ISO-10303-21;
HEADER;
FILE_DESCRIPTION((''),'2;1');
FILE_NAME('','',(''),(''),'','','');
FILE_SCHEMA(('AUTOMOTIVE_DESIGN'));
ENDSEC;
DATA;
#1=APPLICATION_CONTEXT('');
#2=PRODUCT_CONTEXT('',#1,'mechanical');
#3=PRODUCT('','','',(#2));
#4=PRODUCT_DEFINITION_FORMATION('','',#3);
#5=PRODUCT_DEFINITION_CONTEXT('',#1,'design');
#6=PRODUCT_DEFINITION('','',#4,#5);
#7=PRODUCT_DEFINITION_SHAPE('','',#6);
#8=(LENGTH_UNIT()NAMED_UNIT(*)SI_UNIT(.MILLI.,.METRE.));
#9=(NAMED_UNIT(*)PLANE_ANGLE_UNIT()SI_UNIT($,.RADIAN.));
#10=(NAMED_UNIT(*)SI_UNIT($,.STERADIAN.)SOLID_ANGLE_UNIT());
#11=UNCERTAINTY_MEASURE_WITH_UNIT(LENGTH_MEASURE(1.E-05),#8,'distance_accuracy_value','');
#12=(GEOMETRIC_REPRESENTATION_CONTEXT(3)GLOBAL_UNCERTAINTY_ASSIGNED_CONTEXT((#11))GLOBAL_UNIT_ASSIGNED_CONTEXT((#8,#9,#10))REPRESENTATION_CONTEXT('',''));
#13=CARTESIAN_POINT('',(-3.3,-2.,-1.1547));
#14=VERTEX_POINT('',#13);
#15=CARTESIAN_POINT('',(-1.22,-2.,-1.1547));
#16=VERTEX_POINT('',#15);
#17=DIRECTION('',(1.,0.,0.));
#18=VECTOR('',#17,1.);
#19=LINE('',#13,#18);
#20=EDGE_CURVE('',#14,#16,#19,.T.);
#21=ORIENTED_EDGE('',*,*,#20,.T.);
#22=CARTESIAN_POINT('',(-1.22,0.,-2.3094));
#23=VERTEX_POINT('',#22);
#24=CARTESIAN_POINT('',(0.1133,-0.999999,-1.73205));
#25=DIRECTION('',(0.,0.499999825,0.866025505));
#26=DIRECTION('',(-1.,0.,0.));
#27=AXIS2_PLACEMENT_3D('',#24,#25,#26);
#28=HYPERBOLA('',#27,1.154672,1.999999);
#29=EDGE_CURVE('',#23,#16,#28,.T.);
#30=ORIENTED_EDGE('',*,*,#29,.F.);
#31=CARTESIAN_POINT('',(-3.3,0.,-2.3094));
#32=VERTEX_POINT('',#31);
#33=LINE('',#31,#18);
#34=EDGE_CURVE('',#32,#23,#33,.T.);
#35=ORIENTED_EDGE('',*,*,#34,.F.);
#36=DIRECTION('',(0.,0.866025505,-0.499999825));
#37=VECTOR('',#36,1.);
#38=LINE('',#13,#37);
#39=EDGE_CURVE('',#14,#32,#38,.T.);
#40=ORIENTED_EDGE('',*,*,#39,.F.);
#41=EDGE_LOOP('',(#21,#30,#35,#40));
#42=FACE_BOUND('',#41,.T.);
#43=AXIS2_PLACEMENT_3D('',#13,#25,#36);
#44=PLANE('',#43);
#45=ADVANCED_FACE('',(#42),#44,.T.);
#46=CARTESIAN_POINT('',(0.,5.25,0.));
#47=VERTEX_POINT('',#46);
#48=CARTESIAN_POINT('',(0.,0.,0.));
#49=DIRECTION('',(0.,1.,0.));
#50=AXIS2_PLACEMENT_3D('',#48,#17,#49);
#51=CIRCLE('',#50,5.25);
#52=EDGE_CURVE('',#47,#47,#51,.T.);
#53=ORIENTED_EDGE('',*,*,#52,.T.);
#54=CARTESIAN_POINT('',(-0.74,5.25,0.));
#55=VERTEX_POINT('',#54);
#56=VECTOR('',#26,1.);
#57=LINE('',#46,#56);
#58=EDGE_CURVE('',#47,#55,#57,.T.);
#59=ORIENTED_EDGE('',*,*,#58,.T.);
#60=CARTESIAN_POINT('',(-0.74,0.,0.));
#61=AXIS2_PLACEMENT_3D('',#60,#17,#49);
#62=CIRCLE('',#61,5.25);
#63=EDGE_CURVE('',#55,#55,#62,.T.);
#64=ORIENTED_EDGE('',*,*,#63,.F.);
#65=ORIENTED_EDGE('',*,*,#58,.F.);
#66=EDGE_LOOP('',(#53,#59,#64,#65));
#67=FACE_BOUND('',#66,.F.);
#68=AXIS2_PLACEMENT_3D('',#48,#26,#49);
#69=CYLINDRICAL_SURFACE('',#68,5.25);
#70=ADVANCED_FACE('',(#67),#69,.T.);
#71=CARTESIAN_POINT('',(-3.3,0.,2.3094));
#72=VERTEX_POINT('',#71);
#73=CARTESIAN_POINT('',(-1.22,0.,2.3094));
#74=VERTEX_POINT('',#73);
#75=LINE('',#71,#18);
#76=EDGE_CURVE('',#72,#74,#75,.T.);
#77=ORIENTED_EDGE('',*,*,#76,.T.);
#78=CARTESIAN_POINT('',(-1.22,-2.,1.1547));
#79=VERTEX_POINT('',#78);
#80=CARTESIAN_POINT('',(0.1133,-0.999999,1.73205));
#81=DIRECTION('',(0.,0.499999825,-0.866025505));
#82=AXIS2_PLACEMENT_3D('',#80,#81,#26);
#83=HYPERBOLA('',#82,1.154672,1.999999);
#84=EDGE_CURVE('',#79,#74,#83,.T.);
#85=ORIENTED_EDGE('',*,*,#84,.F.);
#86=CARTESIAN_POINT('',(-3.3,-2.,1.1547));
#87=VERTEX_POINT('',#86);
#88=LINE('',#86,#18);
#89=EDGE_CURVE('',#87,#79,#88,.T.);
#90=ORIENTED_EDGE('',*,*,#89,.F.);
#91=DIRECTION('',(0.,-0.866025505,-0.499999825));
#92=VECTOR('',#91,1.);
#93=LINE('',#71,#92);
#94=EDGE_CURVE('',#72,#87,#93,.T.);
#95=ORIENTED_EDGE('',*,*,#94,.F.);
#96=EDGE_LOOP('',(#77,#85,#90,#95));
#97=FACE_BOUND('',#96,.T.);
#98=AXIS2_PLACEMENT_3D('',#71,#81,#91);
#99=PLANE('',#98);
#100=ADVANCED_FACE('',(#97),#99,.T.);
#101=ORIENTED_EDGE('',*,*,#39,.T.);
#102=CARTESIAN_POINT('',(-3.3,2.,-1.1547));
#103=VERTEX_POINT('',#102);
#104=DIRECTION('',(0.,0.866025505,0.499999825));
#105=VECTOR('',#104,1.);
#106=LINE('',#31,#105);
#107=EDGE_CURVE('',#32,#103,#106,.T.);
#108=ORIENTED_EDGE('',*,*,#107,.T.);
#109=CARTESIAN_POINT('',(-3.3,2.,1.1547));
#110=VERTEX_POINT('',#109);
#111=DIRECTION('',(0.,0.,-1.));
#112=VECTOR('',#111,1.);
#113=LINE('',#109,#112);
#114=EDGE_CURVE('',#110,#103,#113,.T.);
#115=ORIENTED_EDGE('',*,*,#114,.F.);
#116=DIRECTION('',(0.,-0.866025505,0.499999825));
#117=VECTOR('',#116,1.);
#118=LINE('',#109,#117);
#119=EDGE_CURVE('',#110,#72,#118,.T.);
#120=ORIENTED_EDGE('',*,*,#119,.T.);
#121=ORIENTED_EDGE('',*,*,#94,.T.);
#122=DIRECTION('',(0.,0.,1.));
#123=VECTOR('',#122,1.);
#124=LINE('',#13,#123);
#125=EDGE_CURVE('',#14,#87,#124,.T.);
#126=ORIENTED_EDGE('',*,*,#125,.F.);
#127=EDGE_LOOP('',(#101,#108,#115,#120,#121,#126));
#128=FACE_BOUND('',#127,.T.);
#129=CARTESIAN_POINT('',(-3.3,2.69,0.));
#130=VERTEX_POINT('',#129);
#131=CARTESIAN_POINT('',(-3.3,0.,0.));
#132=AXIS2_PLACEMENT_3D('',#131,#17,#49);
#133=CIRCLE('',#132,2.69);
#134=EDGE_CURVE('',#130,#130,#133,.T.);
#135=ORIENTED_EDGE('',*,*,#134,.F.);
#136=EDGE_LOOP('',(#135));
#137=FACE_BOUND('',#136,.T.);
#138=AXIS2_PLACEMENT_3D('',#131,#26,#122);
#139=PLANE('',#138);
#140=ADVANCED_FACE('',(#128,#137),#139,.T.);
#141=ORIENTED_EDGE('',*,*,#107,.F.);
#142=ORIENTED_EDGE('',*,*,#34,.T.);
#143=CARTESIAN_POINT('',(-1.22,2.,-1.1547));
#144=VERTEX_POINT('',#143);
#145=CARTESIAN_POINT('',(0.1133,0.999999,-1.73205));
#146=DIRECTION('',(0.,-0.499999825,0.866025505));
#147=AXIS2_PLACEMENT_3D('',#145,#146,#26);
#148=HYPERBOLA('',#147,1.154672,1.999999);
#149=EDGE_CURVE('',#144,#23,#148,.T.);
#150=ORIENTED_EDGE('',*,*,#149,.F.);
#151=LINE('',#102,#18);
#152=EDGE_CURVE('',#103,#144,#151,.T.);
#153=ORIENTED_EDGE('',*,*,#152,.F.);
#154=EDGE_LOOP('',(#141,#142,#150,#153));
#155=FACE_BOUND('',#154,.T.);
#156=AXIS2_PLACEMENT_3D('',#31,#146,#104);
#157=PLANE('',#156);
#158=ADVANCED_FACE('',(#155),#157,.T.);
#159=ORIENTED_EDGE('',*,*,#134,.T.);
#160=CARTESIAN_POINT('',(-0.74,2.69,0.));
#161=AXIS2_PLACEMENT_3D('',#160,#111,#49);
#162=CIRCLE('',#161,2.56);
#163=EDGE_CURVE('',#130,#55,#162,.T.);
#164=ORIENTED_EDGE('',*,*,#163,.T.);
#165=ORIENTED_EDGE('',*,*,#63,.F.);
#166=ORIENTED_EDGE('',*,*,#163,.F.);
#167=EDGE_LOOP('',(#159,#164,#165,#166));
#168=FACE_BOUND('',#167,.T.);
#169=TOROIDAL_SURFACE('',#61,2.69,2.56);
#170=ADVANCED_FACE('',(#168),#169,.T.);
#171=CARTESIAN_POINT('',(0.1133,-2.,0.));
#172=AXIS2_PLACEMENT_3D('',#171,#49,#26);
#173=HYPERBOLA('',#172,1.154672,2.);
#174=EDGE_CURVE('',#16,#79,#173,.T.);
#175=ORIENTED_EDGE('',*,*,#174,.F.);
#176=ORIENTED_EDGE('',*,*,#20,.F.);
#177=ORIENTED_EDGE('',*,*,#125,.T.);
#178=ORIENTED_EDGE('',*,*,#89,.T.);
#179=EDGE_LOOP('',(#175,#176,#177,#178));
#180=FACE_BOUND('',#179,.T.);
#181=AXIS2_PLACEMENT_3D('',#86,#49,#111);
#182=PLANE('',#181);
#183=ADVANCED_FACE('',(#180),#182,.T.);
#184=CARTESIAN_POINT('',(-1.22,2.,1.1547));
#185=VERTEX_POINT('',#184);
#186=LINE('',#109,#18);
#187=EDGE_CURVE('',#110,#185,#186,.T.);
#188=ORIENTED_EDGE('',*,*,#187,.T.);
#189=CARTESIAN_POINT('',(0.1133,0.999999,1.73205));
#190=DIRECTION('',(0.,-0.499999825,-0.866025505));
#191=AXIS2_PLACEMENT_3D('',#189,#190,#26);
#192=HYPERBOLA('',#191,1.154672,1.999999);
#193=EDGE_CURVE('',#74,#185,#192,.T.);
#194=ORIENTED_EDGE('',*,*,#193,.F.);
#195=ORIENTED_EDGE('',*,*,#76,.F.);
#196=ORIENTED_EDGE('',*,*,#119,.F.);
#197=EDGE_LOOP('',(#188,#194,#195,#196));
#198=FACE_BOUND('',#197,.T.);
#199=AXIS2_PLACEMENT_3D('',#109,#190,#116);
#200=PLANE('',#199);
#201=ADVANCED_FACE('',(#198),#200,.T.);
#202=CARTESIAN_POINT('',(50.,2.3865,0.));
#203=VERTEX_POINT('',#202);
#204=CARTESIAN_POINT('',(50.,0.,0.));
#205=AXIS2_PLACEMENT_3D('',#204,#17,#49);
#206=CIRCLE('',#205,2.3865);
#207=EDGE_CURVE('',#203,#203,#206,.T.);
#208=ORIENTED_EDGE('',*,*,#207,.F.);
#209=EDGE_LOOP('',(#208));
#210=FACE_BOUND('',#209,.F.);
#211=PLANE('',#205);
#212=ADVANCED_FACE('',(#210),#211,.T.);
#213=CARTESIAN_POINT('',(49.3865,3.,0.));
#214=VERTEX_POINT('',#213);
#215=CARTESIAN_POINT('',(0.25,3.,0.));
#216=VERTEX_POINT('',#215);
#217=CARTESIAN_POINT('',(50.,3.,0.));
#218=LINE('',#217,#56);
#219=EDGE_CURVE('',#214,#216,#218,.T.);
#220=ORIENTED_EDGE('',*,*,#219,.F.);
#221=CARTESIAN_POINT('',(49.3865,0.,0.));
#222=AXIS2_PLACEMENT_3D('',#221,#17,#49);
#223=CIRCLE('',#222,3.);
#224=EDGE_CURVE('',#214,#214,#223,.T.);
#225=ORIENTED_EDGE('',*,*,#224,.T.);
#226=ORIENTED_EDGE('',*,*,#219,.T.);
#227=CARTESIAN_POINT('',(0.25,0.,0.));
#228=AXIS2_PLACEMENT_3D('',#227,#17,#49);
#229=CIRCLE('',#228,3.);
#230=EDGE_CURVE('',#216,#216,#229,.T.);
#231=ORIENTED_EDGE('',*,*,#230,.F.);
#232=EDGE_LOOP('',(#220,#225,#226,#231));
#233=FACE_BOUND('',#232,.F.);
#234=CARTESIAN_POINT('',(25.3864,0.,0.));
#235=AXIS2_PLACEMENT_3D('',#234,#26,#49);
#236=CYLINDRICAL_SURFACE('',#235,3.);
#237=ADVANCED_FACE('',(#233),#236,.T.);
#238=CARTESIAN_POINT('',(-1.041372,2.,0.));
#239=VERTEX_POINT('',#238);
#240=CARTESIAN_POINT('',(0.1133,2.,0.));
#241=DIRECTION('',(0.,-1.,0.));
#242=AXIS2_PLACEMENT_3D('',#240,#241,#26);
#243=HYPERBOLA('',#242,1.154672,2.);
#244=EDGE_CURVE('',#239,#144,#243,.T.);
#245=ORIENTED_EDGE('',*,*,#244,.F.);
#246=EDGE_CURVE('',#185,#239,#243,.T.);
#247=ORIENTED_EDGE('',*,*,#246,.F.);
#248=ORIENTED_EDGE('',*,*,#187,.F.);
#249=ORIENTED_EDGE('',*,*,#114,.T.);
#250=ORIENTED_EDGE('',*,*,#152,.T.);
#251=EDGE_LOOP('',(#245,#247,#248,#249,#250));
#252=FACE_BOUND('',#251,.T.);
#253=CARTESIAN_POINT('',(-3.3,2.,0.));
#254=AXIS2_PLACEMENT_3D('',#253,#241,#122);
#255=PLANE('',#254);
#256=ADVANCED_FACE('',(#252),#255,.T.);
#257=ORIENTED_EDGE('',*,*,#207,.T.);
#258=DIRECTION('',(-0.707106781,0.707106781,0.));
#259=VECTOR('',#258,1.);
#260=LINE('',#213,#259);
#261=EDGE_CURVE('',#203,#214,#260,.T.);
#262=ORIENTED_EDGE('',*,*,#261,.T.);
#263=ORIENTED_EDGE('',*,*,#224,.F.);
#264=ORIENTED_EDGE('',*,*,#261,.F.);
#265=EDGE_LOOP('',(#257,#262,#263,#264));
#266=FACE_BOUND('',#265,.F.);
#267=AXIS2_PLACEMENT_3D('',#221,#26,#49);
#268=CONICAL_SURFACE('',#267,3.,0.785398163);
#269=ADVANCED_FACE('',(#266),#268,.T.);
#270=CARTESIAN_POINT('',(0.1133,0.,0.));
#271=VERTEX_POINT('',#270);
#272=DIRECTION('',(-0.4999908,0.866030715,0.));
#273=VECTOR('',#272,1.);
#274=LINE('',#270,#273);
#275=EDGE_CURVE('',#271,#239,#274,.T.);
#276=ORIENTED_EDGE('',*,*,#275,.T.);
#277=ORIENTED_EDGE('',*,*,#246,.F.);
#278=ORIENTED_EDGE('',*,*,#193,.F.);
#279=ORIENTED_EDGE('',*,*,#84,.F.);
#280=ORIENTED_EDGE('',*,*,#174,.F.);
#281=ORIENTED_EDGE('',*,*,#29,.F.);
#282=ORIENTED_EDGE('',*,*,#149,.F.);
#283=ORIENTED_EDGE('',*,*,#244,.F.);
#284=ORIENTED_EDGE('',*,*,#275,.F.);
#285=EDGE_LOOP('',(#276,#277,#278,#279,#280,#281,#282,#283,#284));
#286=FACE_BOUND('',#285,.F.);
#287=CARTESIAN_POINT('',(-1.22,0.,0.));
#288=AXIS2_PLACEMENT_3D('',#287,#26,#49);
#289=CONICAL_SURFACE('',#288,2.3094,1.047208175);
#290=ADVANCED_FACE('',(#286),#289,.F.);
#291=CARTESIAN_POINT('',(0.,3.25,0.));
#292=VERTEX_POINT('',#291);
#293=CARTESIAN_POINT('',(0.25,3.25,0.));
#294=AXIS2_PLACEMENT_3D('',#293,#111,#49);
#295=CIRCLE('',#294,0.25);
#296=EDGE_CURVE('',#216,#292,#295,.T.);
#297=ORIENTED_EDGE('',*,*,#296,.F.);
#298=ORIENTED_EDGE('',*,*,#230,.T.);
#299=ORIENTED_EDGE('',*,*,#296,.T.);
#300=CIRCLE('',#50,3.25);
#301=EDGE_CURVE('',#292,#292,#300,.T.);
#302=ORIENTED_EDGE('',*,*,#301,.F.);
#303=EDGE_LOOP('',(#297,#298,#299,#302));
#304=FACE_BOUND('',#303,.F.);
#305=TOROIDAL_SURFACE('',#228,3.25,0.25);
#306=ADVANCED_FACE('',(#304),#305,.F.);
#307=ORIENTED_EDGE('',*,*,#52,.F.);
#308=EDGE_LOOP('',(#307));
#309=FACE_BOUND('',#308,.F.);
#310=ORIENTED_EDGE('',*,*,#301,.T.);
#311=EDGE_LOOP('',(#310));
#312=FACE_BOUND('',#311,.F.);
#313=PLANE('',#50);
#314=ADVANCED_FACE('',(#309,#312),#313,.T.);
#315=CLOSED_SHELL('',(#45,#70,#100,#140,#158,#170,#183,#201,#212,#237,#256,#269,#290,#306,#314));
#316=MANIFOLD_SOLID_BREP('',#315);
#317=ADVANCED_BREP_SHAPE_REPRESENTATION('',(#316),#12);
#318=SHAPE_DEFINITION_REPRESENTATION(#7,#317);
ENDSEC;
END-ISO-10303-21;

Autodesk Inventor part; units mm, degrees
ref_plane "YZ Plane" through (0, 0, 0) normal (1, 0, 0) x (0, 1, 0)
ref_plane "XZ Plane" through (0, 0, 0) normal (0, 1, 0) x (-1, 0, 0)
sketch "Sketch1" plane through (0, 0, 0) normal (0, 0, 1) x (1, 0, 0)
  line L0 (0.1133, 0) -> (50, 0)
  line L1 (50, 0) -> (50, 3)
  line L2 (50, 3) -> (26, 3)
  line L3 (26, 3) -> (25.3864, 3)
  line L4 (25.3864, 3) -> (0, 3)
  line L5 (0, 3) -> (0, 5.25)
  line L6 (0, 5.25) -> (-3.3, 5.25)
  line L7 (-3.3, 5.25) -> (-3.3, 2.3094)
  line L8 (-3.3, 2.3094) -> (-1.22, 2.3094)
  line L9 (-1.22, 2.3094) -> (0.1133, 0)
  line L10 (-13.96, 0) -> (60.66, 0) projected
  line L11 (0, -1.05) -> (0, 6.3) projected
  line L12 (26, 3) -> (0, 3) construction
  dimension "d1" = 24
  dimension "d2" = 0.6136
  dimension "d3" = 3.3
  dimension "d4" = 2.08
  dimension "d5" = 60
  dimension "d6" = 6
  dimension "d7" = 6
  dimension "d8" = 4.6188
  dimension "d9" = 10.5
  dimension "d26" = 50
revolve "Body" add sketch "Sketch1" angle 360 about axis through (0.1133, 0, 0) along (1, 0, 0) contours L9 L11 L4 L3 L2 L1 L0 | L9 L8 L7 L6 L5 L11
sketch "Sketch2" plane through (-3.3, 0, 0) normal (-1, 0, 0) x (0, 0, 1)
  circle A0 centre (0, 0) radius 2.3094 projected
  line L0 (0, -7.35) -> (0, 7.35) projected
  line L1 (-7.35, 0) -> (7.35, 0) projected
  line L2 (2.3094, 0) -> (1.1547, -2)
  line L3 (1.1547, -2) -> (-1.1547, -2)
  line L4 (-1.1547, -2) -> (-2.3094, 0)
  line L5 (-2.3094, 0) -> (-1.1547, 2)
  line L6 (-1.1547, 2) -> (1.1547, 2)
  line L7 (1.1547, 2) -> (2.3094, 0)
extrude "Slot" add sketch "Sketch2" against normal up to next contours L7 A0 | A0 L2 | L6 L0 A0 | A0 L0 L3 | L0 L6 A0 | A0 L3 L0 | L4 A0 | A0 L5
fillet "Fillet1" radius 2.56 1 edges at (-3.3, -5.25, 0)
thread "Thread" size "M6x1" class "6g" standard "ISO Metric profile" length 24
chamfer "Chamfer1" distance 0.6135 distance2 0.6135 1 edges at (50, -3, 0) measured on face at (50, -0.7485, -0.2663)
ref_plane "Work Plane1" through (29, 0, 0) normal (0, -1, 0) x (1, 0, 0)
fillet "Fillet2" radius 0.25 1 edges at (0, -3, 0)
equation "\"d1\" = GEL"
equation "\"d3\" = KOH"
equation "\"d4\" = INTI"
equation "\"d6\" = GD"
equation "\"d7\" = BDM"
equation "\"d8\" = 1.1547 * SW"
equation "\"d9\" = KOD"
equation "\"d26\" = NLG"
equation "\"d30\" = R"
equation "\"d17\" = RR"
equation "\"d13\" = GEL"
equation "\"d15\" = -0.5 * SPD + 0.5 * GD"
equation "\"d16\" = GUL"
equation "\"GD\" = NND"
equation "\"NLG\" = 50"
equation "\"GEL\" = 24"
equation "\"KOD\" = 10.5"
equation "\"KOH\" = 3.3"
equation "\"INTI\" = 2.08"
equation "\"GAL\" = 0.61345 * PTC"
equation "\"GUL\" = 0.61345 * PTC"
equation "\"BDM\" = NND"
equation "\"SW\" = 4"
equation "\"RR\" = 2.56"
equation "\"SPD\" = NND - 1.2269 * PTC"
equation "\"R\" = 0.25"
equation "\"TOA\" = 30deg"
equation "\"GD1\" = THREADDIA - 1.2269 * PTC"
equation "\"THREADDIA\" = 6"
equation "\"PTC\" = 1"
equation "\"NND\" = 6"
equation "\"KOH1\" = 0.74"
equation "\"E0\" = 4.583"
properties part number "ISO 7380-1 - M6 x 50" material "Steel"
